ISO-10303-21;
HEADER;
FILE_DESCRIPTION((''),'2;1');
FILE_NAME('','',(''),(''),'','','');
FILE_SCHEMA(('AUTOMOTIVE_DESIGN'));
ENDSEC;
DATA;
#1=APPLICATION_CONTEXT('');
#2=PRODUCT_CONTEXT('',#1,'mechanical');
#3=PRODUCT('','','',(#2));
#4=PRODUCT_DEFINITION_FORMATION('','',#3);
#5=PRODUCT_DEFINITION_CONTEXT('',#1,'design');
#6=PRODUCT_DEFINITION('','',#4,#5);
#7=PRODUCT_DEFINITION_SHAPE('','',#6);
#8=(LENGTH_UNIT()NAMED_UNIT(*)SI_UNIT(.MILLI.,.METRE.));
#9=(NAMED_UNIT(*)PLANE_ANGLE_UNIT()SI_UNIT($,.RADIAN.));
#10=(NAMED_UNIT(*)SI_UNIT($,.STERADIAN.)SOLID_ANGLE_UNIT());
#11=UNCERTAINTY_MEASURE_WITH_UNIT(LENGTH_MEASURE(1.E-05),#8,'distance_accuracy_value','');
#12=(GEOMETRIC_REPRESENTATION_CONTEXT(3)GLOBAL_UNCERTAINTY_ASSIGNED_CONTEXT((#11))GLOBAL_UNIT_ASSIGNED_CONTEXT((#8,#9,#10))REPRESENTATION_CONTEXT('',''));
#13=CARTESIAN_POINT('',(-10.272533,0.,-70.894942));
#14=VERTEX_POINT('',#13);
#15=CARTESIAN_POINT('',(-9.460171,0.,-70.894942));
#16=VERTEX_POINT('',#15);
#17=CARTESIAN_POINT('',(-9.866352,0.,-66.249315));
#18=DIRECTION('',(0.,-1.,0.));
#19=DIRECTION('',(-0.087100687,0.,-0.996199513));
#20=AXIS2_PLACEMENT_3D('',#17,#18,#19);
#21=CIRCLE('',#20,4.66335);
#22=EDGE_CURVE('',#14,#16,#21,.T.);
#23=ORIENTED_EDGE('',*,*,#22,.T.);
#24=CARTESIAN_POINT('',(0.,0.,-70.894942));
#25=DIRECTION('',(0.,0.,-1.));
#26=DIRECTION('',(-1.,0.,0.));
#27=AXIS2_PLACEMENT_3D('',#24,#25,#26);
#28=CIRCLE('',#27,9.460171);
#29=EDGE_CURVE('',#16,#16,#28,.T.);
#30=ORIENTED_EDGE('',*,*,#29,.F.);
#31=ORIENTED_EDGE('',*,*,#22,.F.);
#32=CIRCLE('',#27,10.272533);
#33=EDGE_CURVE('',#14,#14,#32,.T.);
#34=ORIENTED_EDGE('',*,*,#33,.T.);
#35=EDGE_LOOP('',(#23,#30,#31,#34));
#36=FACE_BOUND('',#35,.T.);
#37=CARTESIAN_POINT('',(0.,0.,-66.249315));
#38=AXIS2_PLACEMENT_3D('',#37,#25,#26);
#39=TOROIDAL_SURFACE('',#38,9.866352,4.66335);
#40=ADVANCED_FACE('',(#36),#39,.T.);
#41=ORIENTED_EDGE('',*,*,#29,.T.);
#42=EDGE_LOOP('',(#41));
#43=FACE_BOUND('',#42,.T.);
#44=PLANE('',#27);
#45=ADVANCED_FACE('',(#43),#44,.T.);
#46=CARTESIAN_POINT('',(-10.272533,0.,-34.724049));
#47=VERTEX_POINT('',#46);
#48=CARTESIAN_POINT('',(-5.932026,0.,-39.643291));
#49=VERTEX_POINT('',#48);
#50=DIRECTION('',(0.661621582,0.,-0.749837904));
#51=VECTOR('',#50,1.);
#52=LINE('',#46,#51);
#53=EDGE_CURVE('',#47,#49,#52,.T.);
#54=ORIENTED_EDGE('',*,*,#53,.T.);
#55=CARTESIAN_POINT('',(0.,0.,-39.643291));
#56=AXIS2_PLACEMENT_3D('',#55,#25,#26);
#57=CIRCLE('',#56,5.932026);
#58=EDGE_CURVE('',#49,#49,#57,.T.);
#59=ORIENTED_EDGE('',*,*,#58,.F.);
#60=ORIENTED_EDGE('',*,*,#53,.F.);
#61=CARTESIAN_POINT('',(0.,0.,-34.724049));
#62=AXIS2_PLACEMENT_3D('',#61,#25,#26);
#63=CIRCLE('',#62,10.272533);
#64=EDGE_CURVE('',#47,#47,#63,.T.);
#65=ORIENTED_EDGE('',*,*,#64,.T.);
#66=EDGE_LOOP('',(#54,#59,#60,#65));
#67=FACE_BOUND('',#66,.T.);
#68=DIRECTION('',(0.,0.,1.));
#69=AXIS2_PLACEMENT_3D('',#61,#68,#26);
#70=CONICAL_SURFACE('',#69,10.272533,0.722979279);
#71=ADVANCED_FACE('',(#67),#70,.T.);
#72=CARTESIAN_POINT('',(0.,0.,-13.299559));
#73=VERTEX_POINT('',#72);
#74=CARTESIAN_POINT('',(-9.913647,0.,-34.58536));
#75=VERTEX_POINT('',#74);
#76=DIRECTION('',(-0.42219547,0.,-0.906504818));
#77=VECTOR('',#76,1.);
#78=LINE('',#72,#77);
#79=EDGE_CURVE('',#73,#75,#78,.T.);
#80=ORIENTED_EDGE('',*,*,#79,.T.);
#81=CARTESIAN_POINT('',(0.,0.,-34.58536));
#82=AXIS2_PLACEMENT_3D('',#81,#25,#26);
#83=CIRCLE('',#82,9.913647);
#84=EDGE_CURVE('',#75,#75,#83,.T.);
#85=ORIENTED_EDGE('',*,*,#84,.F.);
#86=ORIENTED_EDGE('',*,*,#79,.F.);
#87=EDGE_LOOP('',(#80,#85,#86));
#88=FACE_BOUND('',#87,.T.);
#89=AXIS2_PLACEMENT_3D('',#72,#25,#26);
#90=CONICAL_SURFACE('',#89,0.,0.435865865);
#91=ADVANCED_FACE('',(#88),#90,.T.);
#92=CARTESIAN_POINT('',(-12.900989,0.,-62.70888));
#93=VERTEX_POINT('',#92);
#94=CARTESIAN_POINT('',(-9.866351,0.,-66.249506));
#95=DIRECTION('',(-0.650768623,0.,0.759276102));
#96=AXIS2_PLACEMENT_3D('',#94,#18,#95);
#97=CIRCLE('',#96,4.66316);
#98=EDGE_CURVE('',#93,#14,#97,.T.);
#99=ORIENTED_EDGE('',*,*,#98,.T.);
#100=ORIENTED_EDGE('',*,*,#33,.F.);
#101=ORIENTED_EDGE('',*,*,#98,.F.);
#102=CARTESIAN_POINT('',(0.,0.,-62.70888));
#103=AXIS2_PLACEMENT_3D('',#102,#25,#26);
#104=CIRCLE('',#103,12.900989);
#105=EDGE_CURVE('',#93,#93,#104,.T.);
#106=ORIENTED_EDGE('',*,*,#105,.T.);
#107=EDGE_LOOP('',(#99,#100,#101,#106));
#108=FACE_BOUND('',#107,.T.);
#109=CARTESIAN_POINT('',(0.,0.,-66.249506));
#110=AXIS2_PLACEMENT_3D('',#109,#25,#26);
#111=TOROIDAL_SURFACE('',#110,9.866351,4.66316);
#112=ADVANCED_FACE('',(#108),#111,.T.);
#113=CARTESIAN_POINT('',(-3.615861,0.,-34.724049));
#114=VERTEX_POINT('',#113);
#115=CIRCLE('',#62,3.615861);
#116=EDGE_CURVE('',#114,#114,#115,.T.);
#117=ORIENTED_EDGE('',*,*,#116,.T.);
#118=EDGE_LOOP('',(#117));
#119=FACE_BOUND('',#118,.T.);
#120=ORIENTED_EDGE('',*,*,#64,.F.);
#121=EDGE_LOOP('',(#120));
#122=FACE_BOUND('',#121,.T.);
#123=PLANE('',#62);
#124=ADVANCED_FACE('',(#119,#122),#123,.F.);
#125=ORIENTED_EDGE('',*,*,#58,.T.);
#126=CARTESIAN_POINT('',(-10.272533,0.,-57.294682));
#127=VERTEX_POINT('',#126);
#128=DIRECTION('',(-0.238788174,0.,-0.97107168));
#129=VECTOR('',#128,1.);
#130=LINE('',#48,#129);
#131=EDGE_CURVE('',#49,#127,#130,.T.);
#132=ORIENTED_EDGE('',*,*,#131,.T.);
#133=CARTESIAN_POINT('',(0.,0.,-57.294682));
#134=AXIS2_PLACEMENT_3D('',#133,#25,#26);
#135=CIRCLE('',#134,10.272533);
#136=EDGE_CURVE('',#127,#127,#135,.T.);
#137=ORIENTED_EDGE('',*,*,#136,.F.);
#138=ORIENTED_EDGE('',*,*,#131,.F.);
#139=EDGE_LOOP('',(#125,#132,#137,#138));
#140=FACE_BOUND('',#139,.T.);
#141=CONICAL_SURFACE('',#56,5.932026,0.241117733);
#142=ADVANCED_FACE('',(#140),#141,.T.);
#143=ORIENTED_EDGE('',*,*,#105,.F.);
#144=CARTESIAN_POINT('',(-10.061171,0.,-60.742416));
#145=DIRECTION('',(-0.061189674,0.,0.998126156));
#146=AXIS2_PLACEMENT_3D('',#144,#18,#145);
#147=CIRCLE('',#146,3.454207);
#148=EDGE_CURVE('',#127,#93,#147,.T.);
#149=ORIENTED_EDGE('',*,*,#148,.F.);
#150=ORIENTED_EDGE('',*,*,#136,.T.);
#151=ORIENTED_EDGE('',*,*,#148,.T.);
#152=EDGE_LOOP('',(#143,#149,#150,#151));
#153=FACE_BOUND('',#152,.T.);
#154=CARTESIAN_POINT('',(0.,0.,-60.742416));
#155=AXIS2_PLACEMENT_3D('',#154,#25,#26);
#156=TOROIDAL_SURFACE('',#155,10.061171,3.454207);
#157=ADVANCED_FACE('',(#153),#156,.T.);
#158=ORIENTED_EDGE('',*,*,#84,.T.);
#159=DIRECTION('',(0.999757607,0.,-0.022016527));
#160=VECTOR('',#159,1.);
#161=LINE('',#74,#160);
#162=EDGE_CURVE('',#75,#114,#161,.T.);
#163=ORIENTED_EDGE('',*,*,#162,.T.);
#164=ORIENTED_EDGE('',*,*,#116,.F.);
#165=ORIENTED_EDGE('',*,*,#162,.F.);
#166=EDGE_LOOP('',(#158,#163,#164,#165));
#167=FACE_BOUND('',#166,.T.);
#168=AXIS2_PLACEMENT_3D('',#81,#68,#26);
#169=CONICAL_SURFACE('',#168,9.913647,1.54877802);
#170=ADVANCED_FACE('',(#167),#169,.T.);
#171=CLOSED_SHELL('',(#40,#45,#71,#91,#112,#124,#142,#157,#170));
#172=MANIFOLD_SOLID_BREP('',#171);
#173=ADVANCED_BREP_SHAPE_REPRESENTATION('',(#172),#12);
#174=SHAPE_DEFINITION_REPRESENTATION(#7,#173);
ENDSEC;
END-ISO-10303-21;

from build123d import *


with BuildPart() as f1:
    # F0 (on Front) → F1 (revolve)
    with BuildSketch(Plane.XZ):
        with BuildLine():
            ThreePointArc((-10.272533, -70.894942), (-9.866352, -70.912665), (-9.460171, -70.894942))
            Line((-9.460171, -70.894942), (-10.272533, -70.894942))
        make_face()
        with BuildLine():
            ThreePointArc((-10.272533, -57.294682), (-13.168551, -59.233862), (-12.900989, -62.70888))
            ThreePointArc((-12.900989, -62.70888), (-10.031212, -61.589262), (-7.089493, -62.503293))
            ThreePointArc((-7.089493, -62.503293), (-6.729779, -61.655313), (-6.606963, -60.742416))
            ThreePointArc((-6.606963, -60.742416), (-7.694584, -58.226304), (-10.272533, -57.294682))
        make_face()
        with BuildLine():
            ThreePointArc((-7.089493, -62.503293), (-10.031212, -61.589262), (-12.900989, -62.70888))
            ThreePointArc((-12.900989, -62.70888), (-9.939051, -64.194465), (-7.089493, -62.503293))
        make_face()
        with BuildLine():
            Line((-10.272533, -70.894942), (-9.460171, -70.894942))
            ThreePointArc((-9.460171, -70.894942), (-6.428392, -69.39998), (-5.203192, -66.249506))
            ThreePointArc((-5.203192, -66.249506), (-5.701379, -64.152351), (-7.089493, -62.503293))
            ThreePointArc((-7.089493, -62.503293), (-9.939051, -64.194465), (-12.900989, -62.70888))
            ThreePointArc((-12.900989, -62.70888), (-14.306251, -67.67511), (-10.272533, -70.894942))
        make_face()
        with BuildLine():
            Line((-9.460171, -70.894942), (0, -70.894942))
            Line((0, -70.894942), (0, -34.724049))
            Line((0, -34.724049), (-10.272533, -34.724049))
            Line((-10.272533, -34.724049), (-5.932026, -39.643291))
            Line((-5.932026, -39.643291), (-10.272533, -57.294682))
            ThreePointArc((-10.272533, -57.294682), (-7.694584, -58.226304), (-6.606963, -60.742416))
            ThreePointArc((-6.606963, -60.742416), (-6.729779, -61.655313), (-7.089493, -62.503293))
            ThreePointArc((-7.089493, -62.503293), (-5.701379, -64.152351), (-5.203192, -66.249506))
            ThreePointArc((-5.203192, -66.249506), (-6.428392, -69.39998), (-9.460171, -70.894942))
        make_face()
    revolve(axis=Axis((0, 0, -52.809495), (0, 0, -1)))

    # F2 (on Front) → F3 (revolve)
    with BuildSketch(Plane.XZ):
        Polygon((0, -13.299559), (-9.913647, -34.58536), (0, -34.803677), align=None)
    revolve(axis=Axis((0, 0, -24.051618), (0, 0, -1)))


solid = f1.part
